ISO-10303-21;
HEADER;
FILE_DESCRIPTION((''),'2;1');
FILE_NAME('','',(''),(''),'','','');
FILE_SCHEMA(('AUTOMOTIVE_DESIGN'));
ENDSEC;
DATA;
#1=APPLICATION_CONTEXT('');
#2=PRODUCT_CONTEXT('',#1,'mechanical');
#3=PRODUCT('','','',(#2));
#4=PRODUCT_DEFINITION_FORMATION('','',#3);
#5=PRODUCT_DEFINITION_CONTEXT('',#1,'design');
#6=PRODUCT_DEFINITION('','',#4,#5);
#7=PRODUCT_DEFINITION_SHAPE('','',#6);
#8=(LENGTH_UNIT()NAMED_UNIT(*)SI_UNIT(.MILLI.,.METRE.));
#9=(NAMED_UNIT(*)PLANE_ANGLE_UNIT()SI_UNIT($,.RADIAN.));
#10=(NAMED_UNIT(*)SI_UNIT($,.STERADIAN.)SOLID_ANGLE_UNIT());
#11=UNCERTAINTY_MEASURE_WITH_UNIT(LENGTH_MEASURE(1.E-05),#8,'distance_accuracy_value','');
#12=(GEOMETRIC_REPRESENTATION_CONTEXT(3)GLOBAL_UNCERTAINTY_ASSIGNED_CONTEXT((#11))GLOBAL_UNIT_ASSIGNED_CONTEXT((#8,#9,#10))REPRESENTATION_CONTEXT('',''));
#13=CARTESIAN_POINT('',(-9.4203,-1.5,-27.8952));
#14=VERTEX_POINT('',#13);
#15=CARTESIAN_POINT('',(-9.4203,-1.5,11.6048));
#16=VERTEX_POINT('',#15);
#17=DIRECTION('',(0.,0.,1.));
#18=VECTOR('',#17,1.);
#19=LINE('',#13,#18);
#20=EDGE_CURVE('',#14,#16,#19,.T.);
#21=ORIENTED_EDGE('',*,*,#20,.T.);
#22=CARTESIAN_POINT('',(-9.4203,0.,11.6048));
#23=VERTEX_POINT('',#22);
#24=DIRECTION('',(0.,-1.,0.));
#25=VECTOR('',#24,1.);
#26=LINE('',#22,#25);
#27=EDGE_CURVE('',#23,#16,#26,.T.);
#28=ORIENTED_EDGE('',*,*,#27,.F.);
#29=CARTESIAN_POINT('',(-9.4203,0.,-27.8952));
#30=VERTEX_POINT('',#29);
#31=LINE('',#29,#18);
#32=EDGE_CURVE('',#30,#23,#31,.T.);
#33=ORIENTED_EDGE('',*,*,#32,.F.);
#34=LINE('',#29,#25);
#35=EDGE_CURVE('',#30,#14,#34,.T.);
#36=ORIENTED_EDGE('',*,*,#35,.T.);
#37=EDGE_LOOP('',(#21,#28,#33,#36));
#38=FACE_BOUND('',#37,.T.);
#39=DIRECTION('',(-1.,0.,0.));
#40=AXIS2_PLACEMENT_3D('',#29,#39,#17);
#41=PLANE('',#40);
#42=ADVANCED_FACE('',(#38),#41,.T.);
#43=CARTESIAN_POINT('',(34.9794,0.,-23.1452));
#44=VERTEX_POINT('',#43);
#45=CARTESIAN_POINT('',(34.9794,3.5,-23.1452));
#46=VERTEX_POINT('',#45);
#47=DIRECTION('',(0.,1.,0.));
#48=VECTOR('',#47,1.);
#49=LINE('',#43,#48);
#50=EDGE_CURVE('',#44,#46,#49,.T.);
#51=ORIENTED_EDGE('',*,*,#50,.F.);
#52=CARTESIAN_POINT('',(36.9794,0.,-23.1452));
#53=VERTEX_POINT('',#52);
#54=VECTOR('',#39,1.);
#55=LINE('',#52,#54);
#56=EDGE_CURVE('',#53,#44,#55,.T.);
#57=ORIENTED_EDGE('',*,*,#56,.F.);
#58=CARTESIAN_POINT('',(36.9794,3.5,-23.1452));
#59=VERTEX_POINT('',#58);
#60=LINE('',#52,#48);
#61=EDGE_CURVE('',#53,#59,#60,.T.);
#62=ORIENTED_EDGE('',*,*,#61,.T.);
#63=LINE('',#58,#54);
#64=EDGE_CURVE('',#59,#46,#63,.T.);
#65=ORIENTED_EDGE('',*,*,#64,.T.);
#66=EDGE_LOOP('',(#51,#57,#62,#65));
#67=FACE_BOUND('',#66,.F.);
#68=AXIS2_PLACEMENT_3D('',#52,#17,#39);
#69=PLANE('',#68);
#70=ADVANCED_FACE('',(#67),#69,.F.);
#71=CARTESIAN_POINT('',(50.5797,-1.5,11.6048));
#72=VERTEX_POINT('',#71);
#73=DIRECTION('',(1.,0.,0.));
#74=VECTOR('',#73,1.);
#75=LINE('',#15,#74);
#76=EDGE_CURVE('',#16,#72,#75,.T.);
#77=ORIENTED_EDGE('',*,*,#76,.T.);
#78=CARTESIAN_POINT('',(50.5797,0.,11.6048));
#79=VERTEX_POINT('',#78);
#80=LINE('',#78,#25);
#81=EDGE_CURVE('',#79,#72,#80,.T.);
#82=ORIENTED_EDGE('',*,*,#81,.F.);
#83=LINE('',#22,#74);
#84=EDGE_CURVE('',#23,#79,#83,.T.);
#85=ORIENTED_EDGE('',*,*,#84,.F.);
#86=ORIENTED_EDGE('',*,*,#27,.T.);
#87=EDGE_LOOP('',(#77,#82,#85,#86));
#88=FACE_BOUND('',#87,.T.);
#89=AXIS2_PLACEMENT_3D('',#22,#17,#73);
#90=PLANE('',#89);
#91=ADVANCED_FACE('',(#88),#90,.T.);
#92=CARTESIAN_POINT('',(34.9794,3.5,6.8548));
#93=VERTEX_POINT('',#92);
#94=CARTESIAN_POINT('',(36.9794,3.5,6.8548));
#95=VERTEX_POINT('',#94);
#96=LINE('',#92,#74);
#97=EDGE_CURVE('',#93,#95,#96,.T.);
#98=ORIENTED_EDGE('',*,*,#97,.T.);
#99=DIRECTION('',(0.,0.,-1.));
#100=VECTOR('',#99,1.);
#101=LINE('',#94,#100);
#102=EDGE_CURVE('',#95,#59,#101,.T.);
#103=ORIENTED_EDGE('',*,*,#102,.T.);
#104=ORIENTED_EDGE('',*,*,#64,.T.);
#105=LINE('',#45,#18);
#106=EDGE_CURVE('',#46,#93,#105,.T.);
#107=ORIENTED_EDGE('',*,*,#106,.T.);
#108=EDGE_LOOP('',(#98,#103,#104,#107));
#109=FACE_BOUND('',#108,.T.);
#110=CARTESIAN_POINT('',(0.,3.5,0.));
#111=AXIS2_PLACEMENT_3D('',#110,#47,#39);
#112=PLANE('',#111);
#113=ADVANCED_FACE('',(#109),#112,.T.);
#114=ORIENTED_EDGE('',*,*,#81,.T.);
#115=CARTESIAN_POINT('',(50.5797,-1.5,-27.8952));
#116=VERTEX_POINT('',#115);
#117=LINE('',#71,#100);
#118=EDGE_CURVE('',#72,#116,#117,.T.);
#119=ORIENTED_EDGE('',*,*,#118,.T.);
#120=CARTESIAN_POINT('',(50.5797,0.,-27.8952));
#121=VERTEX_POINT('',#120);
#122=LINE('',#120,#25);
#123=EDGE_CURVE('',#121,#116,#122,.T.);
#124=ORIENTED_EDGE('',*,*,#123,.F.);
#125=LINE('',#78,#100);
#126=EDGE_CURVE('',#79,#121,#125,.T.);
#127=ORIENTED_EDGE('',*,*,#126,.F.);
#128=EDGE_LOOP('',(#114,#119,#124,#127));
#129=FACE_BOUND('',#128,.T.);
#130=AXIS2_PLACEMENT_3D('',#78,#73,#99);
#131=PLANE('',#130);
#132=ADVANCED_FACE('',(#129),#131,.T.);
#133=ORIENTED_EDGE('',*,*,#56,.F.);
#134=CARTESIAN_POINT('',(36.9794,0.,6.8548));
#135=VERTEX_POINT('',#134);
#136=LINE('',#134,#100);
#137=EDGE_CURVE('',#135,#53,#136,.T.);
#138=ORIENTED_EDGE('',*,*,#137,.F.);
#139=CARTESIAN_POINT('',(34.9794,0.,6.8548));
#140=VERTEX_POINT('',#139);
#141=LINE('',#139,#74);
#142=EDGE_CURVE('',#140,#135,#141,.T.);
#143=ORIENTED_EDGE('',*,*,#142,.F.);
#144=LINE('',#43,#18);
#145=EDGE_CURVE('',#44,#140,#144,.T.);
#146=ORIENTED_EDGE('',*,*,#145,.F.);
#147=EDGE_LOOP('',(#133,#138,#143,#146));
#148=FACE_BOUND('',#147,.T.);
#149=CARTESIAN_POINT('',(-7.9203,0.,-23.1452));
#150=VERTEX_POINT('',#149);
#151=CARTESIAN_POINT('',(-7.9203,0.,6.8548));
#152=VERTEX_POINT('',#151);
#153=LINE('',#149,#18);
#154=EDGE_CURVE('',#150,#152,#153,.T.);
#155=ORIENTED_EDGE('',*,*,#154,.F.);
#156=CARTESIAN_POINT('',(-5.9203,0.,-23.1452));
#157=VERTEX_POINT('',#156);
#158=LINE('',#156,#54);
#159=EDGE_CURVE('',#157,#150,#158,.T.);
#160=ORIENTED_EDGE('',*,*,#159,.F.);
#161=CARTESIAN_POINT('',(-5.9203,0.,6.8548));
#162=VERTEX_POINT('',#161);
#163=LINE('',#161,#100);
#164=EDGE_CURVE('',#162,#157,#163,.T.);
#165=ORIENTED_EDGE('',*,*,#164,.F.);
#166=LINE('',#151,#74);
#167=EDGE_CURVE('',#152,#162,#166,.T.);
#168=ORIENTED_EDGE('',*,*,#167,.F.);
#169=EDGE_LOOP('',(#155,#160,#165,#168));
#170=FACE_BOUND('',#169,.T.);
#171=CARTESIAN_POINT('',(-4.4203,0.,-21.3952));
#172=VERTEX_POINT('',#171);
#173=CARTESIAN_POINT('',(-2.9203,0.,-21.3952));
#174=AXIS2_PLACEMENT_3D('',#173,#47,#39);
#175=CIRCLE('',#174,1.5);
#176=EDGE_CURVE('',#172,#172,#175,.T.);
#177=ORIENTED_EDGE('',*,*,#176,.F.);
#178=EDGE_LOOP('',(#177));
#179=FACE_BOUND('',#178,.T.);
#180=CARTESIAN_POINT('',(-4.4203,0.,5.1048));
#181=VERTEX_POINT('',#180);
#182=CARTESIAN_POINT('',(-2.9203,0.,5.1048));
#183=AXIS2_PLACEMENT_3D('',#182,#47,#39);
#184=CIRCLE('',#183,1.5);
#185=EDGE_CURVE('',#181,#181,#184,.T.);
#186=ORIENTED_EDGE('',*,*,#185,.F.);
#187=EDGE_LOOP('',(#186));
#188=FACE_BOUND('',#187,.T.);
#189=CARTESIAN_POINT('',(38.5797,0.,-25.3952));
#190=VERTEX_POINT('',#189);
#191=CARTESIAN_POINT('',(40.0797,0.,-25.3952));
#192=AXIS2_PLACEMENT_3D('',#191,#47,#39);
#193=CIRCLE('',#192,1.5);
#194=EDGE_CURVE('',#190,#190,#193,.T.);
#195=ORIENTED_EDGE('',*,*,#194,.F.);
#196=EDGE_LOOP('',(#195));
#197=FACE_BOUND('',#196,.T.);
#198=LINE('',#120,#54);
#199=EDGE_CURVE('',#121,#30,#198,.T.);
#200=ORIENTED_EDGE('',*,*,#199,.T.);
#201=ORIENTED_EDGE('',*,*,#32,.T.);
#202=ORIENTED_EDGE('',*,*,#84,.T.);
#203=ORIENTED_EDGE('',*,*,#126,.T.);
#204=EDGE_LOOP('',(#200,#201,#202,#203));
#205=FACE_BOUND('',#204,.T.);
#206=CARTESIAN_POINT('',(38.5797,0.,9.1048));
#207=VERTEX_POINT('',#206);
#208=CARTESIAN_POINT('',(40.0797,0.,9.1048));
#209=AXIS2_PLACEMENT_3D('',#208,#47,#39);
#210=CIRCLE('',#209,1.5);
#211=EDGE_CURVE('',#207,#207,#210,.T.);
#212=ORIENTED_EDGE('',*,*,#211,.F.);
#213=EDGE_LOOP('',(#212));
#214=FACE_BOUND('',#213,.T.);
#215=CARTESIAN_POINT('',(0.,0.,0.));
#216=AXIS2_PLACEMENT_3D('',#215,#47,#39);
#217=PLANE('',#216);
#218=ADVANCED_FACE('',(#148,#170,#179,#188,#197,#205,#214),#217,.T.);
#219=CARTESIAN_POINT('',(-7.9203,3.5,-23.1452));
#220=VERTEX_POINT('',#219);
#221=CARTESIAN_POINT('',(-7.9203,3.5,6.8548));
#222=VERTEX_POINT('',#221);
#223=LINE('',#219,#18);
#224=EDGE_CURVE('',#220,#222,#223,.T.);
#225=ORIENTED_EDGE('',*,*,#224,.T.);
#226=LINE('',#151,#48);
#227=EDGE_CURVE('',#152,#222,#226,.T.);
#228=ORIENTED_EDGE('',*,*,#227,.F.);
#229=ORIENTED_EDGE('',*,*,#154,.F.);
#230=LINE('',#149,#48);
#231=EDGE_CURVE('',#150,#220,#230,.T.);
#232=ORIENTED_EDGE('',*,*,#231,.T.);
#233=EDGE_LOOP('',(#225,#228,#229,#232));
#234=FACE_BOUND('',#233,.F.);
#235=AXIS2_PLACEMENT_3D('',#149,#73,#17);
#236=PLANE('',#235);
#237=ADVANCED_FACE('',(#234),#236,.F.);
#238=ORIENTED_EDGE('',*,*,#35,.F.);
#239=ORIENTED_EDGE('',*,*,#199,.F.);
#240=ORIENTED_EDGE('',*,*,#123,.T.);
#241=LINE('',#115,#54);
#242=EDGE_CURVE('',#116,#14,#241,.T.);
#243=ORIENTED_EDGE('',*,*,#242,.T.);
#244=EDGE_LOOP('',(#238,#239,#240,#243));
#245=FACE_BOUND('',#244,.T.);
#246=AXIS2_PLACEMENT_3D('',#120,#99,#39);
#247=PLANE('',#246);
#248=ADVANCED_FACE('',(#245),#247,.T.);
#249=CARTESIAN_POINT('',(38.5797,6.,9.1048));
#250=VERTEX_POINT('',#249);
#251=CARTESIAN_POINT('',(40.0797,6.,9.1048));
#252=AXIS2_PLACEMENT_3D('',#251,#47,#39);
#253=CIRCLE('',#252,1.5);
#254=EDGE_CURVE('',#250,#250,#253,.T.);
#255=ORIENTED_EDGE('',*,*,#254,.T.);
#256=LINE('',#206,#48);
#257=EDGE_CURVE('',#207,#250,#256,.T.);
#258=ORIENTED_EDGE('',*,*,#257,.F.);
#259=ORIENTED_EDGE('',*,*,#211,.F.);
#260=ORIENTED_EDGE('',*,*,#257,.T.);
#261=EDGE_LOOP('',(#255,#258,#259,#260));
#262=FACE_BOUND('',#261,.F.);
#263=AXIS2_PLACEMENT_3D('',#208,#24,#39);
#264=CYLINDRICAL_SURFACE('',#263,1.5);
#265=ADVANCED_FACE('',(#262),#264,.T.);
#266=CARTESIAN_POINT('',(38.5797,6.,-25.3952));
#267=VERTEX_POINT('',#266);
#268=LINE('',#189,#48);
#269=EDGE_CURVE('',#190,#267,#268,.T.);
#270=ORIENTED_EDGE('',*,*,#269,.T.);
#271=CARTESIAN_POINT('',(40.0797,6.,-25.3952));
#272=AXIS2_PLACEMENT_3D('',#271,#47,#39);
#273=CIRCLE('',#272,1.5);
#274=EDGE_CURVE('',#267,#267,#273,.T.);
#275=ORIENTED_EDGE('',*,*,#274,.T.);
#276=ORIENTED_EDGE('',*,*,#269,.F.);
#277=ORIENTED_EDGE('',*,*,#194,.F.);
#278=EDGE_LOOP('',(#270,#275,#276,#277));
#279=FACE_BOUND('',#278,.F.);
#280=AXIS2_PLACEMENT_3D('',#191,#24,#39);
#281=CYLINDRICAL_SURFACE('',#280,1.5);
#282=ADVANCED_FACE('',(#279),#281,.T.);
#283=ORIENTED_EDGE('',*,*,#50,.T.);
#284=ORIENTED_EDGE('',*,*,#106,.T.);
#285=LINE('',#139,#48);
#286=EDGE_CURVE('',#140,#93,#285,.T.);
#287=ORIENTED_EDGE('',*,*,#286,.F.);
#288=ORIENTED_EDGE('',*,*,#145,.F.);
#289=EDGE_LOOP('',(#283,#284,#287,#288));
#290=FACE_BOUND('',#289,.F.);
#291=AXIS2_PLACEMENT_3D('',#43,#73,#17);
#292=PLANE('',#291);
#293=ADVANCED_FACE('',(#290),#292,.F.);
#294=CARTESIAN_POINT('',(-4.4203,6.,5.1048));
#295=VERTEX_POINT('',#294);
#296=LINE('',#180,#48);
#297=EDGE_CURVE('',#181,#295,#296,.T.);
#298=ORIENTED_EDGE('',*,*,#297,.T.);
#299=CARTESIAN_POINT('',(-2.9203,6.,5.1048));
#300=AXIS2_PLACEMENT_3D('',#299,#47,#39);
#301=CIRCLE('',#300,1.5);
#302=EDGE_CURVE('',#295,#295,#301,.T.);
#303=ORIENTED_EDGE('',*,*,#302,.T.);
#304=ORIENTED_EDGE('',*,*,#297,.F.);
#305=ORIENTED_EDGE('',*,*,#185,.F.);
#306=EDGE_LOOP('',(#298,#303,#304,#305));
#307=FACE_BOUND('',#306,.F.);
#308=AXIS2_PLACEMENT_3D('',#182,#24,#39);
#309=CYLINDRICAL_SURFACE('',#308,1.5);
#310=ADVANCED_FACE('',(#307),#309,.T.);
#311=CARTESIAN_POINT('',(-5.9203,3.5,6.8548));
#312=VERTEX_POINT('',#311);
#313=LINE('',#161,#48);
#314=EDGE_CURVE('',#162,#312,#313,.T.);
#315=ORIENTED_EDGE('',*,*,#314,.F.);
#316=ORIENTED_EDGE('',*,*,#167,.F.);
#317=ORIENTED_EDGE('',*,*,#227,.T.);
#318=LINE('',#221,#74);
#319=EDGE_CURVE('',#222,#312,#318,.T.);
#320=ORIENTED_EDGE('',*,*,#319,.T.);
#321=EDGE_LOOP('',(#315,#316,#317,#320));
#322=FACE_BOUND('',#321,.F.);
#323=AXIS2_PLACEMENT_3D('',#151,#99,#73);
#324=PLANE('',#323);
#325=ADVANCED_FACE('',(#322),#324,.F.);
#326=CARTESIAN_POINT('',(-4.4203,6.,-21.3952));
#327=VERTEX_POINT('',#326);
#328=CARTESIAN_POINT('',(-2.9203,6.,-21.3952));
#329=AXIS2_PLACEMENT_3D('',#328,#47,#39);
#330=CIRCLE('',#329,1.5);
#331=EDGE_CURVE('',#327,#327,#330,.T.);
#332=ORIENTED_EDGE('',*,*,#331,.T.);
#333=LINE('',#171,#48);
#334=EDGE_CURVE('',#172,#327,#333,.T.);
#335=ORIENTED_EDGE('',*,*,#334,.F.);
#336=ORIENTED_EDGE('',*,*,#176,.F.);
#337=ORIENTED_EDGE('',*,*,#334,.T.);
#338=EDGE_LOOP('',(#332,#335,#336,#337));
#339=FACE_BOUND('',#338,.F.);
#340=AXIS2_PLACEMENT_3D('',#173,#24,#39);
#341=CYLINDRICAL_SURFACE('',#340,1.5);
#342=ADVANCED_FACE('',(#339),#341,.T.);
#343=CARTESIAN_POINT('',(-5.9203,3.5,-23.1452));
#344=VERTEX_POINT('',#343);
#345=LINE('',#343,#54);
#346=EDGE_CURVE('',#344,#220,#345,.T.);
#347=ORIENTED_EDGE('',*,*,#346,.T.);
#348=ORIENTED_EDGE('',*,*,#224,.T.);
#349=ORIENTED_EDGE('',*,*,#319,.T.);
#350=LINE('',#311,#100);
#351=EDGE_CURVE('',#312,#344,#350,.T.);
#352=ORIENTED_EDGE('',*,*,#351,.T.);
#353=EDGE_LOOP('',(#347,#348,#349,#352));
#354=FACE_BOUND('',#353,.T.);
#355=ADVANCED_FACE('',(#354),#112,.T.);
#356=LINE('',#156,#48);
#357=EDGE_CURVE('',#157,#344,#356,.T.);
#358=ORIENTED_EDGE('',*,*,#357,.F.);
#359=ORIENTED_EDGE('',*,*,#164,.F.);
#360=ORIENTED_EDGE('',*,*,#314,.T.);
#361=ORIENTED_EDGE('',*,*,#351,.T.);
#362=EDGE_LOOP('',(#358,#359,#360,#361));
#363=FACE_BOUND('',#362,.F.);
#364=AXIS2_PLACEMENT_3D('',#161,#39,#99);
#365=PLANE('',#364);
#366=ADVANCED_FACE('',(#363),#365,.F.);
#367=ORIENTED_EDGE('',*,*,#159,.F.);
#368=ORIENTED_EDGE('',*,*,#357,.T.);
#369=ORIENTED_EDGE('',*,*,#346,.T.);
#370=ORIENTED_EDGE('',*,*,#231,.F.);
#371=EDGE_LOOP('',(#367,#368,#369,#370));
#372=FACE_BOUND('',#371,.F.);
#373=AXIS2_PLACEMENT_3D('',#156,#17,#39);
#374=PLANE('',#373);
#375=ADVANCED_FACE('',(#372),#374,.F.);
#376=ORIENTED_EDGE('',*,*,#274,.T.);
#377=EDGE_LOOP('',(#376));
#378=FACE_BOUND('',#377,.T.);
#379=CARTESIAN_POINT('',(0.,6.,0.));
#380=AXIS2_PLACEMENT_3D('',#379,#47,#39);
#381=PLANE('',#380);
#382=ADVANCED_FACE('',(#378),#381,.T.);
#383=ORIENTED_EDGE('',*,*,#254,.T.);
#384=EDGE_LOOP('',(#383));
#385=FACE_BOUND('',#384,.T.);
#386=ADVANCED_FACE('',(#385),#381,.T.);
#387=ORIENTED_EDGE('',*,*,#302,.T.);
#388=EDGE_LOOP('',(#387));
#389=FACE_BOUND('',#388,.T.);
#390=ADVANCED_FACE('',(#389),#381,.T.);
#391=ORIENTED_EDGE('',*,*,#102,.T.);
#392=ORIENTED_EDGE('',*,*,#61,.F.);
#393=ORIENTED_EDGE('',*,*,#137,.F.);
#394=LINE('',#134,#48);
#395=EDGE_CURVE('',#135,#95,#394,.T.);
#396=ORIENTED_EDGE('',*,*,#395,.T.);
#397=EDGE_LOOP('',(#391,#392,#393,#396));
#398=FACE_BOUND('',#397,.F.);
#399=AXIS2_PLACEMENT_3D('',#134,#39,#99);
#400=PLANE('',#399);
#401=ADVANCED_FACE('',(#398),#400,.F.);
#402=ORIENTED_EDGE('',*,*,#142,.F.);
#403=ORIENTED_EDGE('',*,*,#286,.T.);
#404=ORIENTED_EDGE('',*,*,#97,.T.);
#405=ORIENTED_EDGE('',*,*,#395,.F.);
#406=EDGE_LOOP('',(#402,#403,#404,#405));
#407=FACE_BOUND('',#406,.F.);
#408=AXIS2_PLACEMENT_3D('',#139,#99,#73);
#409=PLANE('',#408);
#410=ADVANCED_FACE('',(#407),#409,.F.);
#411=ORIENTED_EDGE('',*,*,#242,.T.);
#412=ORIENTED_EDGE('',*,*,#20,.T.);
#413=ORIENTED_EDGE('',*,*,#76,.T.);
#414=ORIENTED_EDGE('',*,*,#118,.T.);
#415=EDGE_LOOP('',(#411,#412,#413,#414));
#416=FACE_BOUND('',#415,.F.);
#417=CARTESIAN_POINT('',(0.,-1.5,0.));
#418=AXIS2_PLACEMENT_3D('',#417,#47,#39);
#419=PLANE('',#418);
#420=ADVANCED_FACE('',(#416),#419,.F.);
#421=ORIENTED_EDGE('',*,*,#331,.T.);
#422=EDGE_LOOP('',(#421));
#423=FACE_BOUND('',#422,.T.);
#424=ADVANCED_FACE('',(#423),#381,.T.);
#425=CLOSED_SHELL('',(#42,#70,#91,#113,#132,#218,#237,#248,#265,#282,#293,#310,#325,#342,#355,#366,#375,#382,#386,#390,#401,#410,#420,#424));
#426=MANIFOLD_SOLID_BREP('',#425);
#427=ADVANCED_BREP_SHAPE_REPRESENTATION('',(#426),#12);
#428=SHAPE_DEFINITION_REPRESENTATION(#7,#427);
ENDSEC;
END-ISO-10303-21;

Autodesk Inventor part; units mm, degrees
ref_plane "YZ Plane" through (0, 0, 0) normal (1, 0, 0) x (0, 1, 0)
ref_plane "XZ Plane" through (0, 0, 0) normal (0, 1, 0) x (-1, 0, 0)
ref_plane "XY Plane" through (0, 0, 0) normal (0, 0, 1) x (1, 0, 0)
sketch "Sketch5" plane through (0, 0, 0) normal (0, 1, 0) x (-1, 0, 0)
  line L0 (9.4203, 11.6048) -> (-50.5797, 11.6048)
  line L1 (-50.5797, 11.6048) -> (-50.5797, -27.8952)
  line L2 (-50.5797, -27.8952) -> (9.4203, -27.8952)
  line L3 (9.4203, -27.8952) -> (9.4203, 11.6048)
  line L4 (-36.9794, -23.1452) -> (-34.9794, -23.1452)
  line L5 (-34.9794, -23.1452) -> (-34.9794, 6.8548)
  line L6 (-34.9794, 6.8548) -> (-36.9794, 6.8548)
  line L7 (-36.9794, 6.8548) -> (-36.9794, -23.1452)
  line L8 (7.9203, 6.8548) -> (5.9203, 6.8548)
  line L9 (5.9203, 6.8548) -> (5.9203, -23.1452)
  line L10 (5.9203, -23.1452) -> (7.9203, -23.1452)
  line L11 (7.9203, -23.1452) -> (7.9203, 6.8548)
  circle A0 centre (2.9203, -21.3952) radius 1.5
  circle A1 centre (2.9203, 5.1048) radius 1.5
  circle A2 centre (-40.0797, -25.3952) radius 1.5
  circle A3 centre (-40.0797, 9.1048) radius 1.5
  point P0 (0, 0)
  dimension "d9" = 60
  dimension "d10" = 39.5
  dimension "d24" = 2
  dimension "d25" = 2
  dimension "d26" = 30
  dimension "d27" = 4.75
  dimension "d28" = 4.75
  dimension "d29" = 2
  dimension "d30" = 30
  dimension "d31" = 1.5
  dimension "d32" = 4.75
  dimension "d33" = 4.75
  dimension "d40" = 3
  dimension "d41" = 6.5
  dimension "d42" = 6.5
  dimension "d43" = 3
  dimension "d44" = 6.5
  dimension "d45" = 6.5
  dimension "d46" = 3
  dimension "d47" = 2.5
  dimension "d48" = 10.5
  dimension "d49" = 3
  dimension "d50" = 2.5
  dimension "d51" = 10.5
extrude "Extrusion5" add sketch "Sketch5" against normal blind 1.5 contours L3 L2 L1 L0 | L7 L6 L5 L4 | L11 L10 L9 L8 | A0 | A1 | A2 | A3
extrude "Extrusion6" add sketch "Sketch5" along normal blind 6 contours A0 | A1 | A2 | A3
extrude "Extrusion7" add sketch "Sketch5" along normal blind 3.5 contours L7 L6 L5 L4 | L11 L10 L9 L8
properties part number "RFID-RC522 Holder 3.1"
